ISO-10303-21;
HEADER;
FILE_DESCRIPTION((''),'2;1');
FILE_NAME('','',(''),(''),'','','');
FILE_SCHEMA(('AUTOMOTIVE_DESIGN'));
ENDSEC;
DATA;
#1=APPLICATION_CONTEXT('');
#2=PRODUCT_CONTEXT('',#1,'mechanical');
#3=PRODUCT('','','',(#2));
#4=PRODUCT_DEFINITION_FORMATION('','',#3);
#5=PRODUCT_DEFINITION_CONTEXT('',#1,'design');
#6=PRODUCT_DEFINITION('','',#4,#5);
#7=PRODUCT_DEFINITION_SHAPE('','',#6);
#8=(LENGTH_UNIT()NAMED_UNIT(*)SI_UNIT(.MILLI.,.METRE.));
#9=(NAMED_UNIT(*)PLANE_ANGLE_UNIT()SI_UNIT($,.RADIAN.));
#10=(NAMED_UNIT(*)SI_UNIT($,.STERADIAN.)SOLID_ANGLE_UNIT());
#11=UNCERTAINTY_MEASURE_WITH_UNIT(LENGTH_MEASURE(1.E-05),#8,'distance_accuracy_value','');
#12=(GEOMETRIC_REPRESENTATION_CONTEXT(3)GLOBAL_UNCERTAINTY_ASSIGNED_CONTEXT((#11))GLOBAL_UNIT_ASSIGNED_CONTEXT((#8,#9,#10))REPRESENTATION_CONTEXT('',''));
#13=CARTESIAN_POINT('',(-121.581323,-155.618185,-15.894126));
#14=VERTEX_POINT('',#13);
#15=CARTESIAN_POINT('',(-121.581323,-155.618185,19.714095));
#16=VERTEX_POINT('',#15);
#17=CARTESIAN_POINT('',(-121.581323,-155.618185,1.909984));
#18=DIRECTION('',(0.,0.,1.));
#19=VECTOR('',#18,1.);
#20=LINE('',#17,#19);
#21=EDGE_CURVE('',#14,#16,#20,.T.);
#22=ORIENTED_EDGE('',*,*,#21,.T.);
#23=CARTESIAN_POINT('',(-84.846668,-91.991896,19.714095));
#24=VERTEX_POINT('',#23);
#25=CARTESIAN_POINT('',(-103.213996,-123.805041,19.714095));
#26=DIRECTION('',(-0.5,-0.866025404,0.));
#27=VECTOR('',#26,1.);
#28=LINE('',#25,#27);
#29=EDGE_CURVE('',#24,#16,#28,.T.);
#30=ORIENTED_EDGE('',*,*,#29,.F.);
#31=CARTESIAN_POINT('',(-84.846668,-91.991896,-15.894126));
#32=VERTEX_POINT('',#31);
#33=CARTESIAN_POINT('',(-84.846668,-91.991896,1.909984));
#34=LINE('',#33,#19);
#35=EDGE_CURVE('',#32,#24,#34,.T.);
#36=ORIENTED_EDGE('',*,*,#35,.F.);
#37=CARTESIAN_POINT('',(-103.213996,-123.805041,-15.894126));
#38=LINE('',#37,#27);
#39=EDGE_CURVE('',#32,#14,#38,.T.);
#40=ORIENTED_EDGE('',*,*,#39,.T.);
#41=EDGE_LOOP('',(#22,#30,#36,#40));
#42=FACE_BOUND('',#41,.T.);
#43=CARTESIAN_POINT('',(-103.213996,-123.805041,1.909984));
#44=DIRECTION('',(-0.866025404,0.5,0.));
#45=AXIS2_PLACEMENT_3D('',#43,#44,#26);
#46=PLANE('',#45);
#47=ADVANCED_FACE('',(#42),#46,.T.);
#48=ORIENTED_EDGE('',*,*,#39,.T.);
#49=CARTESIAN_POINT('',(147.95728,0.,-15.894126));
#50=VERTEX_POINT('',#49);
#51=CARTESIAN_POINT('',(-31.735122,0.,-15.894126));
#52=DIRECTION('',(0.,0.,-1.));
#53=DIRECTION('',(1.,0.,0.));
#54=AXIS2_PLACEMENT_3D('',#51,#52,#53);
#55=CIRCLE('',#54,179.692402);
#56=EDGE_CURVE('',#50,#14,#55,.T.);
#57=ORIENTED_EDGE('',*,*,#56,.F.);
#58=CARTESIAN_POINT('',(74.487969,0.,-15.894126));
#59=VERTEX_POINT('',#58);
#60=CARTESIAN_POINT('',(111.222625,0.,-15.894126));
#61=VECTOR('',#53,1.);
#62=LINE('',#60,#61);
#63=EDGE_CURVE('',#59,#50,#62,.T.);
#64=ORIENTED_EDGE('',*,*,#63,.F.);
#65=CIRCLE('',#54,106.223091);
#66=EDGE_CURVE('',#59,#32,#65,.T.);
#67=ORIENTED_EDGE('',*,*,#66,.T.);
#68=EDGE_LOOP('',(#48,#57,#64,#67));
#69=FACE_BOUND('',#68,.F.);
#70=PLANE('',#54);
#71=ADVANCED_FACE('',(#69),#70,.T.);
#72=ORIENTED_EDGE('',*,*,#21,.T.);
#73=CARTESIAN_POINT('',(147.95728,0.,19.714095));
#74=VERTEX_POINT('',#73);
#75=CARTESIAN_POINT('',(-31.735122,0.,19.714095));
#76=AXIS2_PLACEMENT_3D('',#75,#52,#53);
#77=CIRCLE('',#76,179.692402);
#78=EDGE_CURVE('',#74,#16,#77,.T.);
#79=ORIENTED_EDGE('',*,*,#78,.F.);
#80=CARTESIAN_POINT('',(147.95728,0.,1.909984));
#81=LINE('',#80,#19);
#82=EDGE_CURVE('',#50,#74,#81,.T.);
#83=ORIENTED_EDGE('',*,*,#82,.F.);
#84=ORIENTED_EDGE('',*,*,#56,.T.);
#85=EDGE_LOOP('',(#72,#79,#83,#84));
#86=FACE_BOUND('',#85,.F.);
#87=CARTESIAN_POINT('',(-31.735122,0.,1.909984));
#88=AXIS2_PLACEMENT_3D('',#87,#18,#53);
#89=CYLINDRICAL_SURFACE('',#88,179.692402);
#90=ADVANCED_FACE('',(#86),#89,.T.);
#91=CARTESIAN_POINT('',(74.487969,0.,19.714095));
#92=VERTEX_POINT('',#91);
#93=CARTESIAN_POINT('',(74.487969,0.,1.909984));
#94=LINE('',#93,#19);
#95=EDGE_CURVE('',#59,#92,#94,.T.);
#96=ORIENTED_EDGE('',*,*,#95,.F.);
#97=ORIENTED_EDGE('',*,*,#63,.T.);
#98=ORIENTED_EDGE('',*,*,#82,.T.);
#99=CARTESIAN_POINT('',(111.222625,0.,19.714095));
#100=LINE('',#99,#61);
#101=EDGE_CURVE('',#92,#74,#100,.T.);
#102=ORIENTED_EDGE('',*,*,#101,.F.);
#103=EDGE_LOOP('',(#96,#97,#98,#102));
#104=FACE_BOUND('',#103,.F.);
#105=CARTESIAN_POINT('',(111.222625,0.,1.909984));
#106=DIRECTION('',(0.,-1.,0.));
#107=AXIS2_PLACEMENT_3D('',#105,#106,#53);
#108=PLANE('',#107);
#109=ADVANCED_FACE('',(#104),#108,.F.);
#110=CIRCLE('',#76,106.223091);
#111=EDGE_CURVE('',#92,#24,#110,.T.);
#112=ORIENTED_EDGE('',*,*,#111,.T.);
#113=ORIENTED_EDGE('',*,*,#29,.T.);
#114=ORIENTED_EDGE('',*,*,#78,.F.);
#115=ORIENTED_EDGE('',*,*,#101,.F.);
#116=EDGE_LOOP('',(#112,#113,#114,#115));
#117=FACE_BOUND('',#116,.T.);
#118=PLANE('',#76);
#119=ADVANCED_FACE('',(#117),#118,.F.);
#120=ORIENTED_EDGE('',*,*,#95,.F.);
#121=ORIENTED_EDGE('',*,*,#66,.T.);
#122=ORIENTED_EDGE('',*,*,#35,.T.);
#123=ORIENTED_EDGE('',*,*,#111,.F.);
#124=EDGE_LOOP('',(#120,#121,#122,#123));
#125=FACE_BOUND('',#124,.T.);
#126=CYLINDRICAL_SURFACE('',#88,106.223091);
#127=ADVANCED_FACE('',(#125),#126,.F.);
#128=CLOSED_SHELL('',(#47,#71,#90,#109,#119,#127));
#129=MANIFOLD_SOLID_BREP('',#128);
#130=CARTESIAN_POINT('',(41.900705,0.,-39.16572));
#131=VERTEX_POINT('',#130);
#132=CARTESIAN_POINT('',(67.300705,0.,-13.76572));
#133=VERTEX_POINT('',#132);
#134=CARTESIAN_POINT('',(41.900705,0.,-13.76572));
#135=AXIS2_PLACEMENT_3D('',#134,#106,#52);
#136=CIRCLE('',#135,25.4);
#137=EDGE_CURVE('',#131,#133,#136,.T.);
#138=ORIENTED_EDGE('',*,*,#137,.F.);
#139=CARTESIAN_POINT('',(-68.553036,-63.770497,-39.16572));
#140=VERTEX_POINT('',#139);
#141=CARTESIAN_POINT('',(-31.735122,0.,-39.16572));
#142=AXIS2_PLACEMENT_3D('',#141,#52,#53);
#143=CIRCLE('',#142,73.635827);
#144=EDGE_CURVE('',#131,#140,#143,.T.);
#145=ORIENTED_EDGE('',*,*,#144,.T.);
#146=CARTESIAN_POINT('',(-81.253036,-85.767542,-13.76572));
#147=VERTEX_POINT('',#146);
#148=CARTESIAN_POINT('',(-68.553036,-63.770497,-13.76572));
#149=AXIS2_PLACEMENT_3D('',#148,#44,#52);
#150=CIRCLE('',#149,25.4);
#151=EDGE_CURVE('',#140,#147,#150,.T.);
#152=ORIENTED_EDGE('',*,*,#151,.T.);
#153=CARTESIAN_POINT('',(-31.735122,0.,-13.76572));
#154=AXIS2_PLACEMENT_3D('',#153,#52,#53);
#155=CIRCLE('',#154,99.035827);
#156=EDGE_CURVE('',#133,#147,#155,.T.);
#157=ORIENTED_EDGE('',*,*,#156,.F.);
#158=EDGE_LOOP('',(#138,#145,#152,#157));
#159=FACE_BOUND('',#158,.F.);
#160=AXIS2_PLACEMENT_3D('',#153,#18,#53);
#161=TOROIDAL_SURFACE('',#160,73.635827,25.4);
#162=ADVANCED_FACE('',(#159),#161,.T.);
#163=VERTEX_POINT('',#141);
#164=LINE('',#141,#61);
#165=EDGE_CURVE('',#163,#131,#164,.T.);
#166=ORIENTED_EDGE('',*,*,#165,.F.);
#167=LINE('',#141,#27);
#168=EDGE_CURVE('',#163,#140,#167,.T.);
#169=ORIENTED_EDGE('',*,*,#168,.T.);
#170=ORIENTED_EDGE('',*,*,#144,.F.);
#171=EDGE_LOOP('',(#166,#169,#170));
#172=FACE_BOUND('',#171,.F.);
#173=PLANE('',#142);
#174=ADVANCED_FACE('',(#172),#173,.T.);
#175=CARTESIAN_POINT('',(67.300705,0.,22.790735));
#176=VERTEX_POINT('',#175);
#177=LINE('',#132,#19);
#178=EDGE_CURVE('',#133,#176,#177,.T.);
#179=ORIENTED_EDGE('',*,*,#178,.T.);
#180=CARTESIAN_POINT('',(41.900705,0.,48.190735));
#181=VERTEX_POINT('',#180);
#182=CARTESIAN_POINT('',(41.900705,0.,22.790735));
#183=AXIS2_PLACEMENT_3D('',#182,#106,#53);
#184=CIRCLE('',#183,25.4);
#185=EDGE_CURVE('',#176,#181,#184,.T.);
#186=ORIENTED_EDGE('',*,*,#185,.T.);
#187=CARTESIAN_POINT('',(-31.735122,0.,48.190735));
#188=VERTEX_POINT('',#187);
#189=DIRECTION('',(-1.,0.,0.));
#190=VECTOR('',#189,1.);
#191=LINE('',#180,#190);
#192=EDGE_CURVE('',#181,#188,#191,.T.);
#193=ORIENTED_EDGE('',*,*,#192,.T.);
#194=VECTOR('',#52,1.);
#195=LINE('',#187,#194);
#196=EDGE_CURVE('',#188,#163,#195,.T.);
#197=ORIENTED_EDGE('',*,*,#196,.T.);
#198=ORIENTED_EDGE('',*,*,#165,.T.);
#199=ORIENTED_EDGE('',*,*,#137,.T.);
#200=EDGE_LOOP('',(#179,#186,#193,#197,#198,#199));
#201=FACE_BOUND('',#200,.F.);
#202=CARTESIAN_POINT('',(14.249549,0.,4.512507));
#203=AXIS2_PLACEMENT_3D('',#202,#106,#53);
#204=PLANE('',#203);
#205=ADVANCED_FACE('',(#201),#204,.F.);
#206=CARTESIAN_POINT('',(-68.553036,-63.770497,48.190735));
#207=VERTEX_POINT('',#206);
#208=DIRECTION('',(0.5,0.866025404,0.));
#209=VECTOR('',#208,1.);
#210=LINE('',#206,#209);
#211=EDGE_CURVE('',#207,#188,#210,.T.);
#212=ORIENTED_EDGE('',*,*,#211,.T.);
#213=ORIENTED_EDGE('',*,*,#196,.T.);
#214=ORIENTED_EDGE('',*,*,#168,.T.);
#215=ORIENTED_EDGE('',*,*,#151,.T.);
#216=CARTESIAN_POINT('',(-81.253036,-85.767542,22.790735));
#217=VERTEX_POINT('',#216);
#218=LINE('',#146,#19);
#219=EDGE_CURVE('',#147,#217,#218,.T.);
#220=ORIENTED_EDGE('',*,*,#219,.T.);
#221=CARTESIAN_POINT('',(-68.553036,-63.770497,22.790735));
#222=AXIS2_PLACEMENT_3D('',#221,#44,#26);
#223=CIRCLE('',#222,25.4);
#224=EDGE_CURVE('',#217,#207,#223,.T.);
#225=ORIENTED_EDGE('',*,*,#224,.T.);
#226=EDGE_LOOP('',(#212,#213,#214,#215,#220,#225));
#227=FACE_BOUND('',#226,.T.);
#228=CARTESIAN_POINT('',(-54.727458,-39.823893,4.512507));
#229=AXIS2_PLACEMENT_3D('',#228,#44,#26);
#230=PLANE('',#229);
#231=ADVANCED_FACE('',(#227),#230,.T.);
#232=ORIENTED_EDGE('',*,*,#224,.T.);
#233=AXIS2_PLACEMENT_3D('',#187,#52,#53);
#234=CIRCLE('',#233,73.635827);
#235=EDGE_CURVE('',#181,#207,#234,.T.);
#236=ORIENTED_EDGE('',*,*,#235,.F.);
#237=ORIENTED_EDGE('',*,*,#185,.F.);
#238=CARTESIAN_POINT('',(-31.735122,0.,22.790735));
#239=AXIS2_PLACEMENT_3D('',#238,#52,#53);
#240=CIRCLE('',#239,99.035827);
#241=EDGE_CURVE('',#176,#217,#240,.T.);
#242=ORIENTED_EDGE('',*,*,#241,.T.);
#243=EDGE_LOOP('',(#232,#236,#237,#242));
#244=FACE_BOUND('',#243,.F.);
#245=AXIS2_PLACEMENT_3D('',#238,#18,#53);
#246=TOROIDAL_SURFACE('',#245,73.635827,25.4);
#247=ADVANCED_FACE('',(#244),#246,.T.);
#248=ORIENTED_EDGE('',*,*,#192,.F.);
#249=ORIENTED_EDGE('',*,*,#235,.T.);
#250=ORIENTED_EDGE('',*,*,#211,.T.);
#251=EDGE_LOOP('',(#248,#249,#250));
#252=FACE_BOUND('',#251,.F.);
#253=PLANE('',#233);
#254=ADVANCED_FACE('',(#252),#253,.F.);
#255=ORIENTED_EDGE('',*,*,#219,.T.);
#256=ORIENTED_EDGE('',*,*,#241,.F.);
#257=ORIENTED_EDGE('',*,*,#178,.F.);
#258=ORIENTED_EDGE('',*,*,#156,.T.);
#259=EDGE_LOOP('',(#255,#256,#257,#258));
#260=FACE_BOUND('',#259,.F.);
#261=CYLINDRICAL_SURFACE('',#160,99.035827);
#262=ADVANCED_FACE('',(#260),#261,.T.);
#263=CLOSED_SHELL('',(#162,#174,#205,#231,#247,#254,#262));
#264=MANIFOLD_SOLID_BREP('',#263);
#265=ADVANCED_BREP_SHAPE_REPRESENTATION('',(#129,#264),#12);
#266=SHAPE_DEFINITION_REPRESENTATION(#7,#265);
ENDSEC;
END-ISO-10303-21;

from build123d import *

# Parameters (mm, degrees)
F1_ANGLE = 120
F0_W     = 73.4693109989
F0_H     = 35.6082208455


with BuildPart() as f1:
    # F0 (on Front) → F1 (revolve)
    with BuildSketch(Plane.XZ):
        with BuildLine():
            Line((41.9007050037, 48.1907352805), (-31.7351222038, 48.1907352805))
            Line((-31.7351222038, 48.1907352805), (-31.7351222038, -39.1657203436))
            Line((-31.7351222038, -39.1657203436), (41.9007050037, -39.1657203436))
            ThreePointArc((41.9007050037, -39.1657203436), (59.8612172459, -31.7262325857), (67.3007050037, -13.7657203436))
            Line((67.3007050037, -13.7657203436), (67.3007050037, 22.7907352805))
            ThreePointArc((67.3007050037, 22.7907352805), (59.8612172459, 40.7512475227), (41.9007050037, 48.1907352805))
        make_face()
    revolve(axis=Axis((-31.7351222038, 0, 4.5125074685), (0, 0, -1)), revolution_arc=F1_ANGLE)


with BuildPart() as f1b:
    # F0 (on Front) → F1, piece 2 (revolve)
    with BuildSketch(Plane.XZ):
        with Locations((111.2226247787, 1.9099842757)):
            Rectangle(F0_W, F0_H)
    revolve(axis=Axis((-31.7351222038, 0, 4.5125074685), (0, 0, -1)), revolution_arc=F1_ANGLE)


solid = Compound([f1.part, f1b.part])
